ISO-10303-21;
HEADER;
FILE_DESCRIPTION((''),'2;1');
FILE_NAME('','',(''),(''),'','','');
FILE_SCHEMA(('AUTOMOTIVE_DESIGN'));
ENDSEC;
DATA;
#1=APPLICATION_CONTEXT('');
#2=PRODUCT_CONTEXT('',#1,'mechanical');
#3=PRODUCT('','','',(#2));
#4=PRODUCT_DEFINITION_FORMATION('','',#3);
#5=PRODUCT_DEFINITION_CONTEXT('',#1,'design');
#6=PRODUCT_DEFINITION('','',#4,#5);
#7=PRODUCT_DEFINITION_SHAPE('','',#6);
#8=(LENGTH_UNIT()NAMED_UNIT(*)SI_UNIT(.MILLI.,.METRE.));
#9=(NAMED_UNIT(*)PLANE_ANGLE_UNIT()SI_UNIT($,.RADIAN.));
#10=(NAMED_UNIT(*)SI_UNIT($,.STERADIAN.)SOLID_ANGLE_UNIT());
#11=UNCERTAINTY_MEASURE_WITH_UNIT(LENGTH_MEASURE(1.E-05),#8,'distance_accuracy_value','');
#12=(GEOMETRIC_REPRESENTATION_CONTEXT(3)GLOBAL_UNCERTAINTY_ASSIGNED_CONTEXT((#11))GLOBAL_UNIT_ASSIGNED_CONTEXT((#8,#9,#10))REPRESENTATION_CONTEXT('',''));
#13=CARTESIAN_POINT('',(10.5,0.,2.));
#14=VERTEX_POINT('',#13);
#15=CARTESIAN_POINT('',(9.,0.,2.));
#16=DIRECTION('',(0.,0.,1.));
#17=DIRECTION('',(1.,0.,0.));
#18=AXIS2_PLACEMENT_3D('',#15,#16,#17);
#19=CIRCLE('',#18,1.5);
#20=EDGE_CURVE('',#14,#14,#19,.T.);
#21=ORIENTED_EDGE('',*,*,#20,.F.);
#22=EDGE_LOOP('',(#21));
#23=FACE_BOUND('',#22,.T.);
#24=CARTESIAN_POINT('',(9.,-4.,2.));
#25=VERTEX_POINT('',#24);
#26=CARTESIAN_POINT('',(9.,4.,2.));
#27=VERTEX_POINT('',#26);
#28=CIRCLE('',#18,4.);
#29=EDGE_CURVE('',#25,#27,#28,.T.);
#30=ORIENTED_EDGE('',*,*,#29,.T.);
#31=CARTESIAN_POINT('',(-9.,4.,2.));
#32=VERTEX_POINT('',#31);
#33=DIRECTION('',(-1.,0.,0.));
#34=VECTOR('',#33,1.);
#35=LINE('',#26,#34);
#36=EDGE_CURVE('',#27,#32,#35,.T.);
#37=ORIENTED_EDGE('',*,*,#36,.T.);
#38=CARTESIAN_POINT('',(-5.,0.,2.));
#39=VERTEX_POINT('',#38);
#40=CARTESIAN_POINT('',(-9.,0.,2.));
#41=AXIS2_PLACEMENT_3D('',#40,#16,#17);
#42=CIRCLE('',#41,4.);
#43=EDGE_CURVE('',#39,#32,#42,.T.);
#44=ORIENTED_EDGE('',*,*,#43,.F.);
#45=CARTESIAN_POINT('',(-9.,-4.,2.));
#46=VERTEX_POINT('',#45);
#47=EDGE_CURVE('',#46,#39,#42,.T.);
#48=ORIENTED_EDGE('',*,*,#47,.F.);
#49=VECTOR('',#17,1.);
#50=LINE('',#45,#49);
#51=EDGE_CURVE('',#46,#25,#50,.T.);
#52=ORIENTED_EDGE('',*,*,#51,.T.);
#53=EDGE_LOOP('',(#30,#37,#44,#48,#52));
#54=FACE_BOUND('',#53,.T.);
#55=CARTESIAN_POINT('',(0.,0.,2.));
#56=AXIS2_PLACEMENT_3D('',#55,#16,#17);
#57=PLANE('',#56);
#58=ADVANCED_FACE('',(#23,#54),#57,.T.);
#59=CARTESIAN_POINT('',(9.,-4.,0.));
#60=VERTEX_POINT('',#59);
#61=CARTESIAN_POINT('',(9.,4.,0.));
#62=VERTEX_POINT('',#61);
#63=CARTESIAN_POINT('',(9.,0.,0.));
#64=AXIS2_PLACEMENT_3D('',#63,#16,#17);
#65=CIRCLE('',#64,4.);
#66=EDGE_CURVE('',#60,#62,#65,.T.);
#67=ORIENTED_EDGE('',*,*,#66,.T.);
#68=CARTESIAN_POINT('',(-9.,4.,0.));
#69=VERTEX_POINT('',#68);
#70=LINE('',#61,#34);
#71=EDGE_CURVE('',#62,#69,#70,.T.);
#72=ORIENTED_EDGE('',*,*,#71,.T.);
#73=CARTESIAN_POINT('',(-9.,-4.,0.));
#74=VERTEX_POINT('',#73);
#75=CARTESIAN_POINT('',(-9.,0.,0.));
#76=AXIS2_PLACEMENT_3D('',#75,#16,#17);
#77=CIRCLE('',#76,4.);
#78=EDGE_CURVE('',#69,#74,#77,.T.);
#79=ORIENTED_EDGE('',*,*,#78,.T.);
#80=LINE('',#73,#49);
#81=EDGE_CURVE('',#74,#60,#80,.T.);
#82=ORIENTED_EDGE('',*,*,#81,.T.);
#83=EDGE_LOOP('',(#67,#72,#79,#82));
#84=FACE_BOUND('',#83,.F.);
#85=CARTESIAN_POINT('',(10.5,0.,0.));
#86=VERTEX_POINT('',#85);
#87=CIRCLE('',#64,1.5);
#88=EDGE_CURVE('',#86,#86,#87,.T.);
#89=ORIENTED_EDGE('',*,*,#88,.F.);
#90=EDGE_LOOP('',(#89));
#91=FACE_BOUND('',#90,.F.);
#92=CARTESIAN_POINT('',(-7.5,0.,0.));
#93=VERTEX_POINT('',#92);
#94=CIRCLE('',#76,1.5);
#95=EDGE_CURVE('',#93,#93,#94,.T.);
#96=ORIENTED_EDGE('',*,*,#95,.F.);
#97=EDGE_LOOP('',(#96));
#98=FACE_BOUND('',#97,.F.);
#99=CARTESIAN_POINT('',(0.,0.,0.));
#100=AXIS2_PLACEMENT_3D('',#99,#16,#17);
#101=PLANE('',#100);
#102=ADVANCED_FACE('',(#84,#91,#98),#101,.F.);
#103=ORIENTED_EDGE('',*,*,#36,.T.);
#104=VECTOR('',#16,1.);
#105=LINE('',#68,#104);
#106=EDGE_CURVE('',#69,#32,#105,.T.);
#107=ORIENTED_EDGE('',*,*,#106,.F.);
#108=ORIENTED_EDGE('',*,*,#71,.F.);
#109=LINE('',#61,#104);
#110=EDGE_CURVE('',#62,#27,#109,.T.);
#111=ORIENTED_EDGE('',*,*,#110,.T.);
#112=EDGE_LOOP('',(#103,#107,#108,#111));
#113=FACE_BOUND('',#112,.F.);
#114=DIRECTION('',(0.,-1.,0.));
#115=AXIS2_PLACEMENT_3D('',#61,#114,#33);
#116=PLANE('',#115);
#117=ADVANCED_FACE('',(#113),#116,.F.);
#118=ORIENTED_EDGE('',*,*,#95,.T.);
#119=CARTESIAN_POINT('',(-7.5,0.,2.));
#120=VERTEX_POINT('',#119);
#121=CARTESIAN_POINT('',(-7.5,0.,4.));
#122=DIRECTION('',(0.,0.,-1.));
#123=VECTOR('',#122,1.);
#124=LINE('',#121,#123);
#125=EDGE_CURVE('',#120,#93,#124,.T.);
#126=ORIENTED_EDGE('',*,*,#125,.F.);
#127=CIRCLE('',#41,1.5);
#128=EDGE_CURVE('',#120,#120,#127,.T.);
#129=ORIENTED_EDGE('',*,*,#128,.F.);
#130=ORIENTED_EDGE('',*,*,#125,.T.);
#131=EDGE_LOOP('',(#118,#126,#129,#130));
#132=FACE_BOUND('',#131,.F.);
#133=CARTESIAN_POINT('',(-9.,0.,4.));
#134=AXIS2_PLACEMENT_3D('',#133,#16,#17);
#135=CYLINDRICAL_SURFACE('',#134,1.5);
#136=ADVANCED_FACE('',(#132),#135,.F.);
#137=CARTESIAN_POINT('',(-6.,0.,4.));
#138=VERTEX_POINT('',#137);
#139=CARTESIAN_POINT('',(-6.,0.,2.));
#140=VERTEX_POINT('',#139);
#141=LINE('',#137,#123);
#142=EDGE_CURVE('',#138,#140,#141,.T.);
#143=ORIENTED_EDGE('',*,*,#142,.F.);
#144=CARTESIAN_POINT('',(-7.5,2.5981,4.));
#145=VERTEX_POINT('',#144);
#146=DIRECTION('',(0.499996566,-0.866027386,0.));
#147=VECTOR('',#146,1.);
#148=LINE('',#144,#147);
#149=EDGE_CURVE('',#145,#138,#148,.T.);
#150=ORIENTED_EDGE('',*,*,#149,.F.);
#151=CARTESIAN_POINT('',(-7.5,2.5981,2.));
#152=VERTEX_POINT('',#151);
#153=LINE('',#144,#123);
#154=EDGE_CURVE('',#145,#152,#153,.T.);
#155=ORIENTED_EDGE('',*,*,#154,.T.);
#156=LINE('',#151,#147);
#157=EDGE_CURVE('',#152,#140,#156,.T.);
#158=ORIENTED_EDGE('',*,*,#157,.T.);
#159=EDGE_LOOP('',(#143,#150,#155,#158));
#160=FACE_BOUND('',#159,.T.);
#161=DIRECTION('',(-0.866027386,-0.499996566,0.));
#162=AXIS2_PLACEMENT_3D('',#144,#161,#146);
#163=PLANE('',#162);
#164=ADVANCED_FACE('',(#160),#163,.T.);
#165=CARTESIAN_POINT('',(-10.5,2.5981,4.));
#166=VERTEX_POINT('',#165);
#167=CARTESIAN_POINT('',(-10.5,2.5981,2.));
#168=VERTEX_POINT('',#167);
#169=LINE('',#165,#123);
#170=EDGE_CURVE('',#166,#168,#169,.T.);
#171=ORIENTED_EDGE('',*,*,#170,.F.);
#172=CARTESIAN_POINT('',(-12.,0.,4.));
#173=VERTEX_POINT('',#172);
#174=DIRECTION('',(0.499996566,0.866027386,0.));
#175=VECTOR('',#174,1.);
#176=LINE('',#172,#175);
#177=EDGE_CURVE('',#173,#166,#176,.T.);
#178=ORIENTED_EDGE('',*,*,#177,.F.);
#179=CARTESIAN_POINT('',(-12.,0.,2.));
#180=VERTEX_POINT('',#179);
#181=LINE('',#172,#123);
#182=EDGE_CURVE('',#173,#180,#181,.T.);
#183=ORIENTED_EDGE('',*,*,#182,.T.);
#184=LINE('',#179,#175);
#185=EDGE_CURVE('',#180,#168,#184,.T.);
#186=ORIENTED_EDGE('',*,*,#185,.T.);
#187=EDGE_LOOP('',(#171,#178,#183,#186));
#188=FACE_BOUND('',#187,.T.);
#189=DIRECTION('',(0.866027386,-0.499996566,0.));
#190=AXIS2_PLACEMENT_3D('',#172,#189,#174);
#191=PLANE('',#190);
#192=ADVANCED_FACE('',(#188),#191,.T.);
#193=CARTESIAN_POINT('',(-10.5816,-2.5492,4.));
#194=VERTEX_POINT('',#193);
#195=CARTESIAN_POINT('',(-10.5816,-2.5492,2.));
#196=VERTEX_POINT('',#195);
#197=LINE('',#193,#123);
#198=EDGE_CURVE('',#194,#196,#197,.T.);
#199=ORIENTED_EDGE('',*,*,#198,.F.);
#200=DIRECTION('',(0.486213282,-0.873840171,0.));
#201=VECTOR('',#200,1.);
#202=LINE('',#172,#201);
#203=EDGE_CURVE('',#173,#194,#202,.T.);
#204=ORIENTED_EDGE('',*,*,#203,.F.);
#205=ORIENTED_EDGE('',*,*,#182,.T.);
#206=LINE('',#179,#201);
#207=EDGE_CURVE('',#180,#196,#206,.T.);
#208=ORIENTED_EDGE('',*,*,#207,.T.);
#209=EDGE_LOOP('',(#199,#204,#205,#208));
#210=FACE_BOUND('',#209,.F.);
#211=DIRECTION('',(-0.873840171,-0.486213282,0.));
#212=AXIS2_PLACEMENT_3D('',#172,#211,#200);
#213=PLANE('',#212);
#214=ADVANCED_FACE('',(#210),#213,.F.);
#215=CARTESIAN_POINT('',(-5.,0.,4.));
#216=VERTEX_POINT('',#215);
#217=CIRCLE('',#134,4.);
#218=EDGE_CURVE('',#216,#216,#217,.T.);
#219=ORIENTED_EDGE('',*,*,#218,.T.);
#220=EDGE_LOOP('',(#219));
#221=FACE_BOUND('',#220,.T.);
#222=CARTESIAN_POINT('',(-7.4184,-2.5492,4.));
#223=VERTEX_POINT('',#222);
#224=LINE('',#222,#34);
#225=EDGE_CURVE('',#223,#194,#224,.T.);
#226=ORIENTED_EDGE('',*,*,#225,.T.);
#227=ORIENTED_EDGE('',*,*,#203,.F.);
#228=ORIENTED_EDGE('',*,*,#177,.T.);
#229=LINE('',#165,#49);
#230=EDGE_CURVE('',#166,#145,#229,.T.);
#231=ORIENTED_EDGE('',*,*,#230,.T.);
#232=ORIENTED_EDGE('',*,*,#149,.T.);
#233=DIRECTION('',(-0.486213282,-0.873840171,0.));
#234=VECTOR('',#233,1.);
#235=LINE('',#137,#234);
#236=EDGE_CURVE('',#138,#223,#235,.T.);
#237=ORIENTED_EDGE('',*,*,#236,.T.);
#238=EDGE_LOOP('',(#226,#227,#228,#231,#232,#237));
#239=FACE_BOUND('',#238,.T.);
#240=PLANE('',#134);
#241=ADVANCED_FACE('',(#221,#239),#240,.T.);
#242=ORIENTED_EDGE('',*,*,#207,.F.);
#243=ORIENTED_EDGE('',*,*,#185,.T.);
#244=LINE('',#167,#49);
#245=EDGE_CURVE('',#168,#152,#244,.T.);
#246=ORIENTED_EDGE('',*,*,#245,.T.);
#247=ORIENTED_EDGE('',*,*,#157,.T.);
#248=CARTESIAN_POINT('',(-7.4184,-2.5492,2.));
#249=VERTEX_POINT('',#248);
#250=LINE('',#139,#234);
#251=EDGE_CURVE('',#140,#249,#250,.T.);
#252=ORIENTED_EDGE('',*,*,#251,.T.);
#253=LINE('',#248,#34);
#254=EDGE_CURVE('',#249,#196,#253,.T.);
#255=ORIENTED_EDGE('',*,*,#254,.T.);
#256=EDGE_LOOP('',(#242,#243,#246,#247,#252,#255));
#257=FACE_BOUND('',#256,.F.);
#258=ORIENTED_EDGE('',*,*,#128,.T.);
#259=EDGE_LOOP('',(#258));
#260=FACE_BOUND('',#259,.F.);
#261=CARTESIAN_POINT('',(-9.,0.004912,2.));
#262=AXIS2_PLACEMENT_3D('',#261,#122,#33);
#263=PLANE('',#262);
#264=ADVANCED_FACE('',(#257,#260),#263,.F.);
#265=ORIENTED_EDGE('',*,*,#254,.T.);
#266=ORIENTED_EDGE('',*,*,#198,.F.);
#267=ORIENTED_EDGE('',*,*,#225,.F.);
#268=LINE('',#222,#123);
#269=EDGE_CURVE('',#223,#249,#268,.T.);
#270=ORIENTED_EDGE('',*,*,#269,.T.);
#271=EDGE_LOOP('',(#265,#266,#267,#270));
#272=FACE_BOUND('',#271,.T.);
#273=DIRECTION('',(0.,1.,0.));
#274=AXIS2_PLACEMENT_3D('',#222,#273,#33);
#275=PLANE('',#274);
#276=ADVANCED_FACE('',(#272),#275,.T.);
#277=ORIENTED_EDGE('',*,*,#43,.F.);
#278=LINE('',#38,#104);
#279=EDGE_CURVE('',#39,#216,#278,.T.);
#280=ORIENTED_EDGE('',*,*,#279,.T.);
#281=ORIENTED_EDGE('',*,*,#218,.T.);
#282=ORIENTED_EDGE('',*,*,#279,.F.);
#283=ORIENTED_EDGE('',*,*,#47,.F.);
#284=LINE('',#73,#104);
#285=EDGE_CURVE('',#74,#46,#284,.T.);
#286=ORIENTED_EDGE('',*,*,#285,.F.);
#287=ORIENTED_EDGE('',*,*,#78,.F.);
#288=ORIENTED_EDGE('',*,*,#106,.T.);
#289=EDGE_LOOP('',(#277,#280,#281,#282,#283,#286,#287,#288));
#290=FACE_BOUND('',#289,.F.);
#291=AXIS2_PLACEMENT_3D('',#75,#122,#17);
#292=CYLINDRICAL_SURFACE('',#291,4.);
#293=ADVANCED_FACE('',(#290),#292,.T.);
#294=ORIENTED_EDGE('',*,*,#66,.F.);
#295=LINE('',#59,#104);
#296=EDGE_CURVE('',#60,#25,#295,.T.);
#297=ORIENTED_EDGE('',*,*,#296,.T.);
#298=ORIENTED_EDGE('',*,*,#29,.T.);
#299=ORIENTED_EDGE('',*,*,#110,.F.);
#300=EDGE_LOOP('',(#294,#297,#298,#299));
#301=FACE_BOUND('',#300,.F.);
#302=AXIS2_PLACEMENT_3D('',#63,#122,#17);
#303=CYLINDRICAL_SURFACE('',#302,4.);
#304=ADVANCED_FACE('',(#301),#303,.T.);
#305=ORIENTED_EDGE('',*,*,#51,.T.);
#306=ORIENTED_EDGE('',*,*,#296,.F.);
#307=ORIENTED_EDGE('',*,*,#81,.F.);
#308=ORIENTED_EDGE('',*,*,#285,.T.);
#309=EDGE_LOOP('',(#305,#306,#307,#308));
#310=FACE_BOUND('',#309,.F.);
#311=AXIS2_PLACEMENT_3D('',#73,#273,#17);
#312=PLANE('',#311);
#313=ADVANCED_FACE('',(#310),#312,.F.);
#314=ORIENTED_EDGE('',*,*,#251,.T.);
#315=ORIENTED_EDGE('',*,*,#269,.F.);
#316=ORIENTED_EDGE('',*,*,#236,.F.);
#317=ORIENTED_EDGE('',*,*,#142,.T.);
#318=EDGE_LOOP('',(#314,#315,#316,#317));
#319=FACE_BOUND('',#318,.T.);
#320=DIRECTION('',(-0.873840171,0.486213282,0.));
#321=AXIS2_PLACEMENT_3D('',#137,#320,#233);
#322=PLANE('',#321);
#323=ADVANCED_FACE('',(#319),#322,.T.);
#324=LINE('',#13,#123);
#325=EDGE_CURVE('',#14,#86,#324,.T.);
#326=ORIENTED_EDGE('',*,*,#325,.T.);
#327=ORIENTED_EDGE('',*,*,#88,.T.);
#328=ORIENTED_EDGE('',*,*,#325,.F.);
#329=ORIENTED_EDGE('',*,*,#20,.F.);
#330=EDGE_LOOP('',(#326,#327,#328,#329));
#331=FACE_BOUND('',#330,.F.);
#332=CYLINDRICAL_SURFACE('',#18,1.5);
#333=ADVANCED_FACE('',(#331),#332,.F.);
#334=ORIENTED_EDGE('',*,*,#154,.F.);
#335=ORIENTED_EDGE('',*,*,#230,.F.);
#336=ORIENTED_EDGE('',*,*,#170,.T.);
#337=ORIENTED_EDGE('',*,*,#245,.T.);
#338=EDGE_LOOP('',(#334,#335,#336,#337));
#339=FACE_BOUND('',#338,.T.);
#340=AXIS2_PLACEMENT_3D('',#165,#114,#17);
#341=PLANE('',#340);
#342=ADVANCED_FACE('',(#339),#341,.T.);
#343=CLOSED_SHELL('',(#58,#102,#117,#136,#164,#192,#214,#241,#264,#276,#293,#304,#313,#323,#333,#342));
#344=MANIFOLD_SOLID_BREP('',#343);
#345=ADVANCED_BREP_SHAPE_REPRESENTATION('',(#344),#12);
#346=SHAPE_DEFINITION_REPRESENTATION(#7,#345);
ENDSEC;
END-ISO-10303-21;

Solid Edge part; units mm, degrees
sketch "Sketch1" plane through (0, 0, 0) normal (0, 0, 1) x (1, 0, 0)
  line L0 (-9, -4) -> (9, -4)
  line L1 (9, 4) -> (-9, 4)
  arc A0 (-9, 4) -> (-9, -4) centre (-9, 0) ccw
  arc A1 (9, -4) -> (9, 4) centre (9, 0) ccw
extrude "Protrusion1" add sketch "Sketch1" along normal blind 2
sketch "Sketch2" plane through (0, 0, 2) normal (0, 0, 1) x (1, 0, 0)
  circle A0 centre (9, 0) radius 1.5
extrude "Cutout1" cut sketch "Sketch2" against normal up to next
sketch "Sketch3" plane through (0, 0, 2) normal (0, 0, 1) x (1, 0, 0)
  circle A0 centre (-9, 0) radius 4
extrude "body_head_screw" add sketch "Sketch3" along normal blind 2
sketch "Sketch4" plane through (-9, 0, 4) normal (0, 0, 1) x (1, 0, 0)
  circle A0 centre (0, 0) radius 1.5
extrude "Cutout2" cut sketch "Sketch4" against normal up to next
sketch "Sketch5" plane through (-9, 0, 4) normal (0, 0, 1) x (1, 0, 0)
  line L0 (-3, 0) -> (-1.5, 2.5981)
  line L1 (-1.5, 2.5981) -> (1.5, 2.5981)
  line L2 (1.5, 2.5981) -> (3, 0)
  line L3 (3, 0) -> (1.5816, -2.5492)
  line L4 (1.5816, -2.5492) -> (-1.5816, -2.5492)
  line L5 (-3, 0) -> (-1.5816, -2.5492)
extrude "fix_screw_head" cut sketch "Sketch5" against normal blind 2
